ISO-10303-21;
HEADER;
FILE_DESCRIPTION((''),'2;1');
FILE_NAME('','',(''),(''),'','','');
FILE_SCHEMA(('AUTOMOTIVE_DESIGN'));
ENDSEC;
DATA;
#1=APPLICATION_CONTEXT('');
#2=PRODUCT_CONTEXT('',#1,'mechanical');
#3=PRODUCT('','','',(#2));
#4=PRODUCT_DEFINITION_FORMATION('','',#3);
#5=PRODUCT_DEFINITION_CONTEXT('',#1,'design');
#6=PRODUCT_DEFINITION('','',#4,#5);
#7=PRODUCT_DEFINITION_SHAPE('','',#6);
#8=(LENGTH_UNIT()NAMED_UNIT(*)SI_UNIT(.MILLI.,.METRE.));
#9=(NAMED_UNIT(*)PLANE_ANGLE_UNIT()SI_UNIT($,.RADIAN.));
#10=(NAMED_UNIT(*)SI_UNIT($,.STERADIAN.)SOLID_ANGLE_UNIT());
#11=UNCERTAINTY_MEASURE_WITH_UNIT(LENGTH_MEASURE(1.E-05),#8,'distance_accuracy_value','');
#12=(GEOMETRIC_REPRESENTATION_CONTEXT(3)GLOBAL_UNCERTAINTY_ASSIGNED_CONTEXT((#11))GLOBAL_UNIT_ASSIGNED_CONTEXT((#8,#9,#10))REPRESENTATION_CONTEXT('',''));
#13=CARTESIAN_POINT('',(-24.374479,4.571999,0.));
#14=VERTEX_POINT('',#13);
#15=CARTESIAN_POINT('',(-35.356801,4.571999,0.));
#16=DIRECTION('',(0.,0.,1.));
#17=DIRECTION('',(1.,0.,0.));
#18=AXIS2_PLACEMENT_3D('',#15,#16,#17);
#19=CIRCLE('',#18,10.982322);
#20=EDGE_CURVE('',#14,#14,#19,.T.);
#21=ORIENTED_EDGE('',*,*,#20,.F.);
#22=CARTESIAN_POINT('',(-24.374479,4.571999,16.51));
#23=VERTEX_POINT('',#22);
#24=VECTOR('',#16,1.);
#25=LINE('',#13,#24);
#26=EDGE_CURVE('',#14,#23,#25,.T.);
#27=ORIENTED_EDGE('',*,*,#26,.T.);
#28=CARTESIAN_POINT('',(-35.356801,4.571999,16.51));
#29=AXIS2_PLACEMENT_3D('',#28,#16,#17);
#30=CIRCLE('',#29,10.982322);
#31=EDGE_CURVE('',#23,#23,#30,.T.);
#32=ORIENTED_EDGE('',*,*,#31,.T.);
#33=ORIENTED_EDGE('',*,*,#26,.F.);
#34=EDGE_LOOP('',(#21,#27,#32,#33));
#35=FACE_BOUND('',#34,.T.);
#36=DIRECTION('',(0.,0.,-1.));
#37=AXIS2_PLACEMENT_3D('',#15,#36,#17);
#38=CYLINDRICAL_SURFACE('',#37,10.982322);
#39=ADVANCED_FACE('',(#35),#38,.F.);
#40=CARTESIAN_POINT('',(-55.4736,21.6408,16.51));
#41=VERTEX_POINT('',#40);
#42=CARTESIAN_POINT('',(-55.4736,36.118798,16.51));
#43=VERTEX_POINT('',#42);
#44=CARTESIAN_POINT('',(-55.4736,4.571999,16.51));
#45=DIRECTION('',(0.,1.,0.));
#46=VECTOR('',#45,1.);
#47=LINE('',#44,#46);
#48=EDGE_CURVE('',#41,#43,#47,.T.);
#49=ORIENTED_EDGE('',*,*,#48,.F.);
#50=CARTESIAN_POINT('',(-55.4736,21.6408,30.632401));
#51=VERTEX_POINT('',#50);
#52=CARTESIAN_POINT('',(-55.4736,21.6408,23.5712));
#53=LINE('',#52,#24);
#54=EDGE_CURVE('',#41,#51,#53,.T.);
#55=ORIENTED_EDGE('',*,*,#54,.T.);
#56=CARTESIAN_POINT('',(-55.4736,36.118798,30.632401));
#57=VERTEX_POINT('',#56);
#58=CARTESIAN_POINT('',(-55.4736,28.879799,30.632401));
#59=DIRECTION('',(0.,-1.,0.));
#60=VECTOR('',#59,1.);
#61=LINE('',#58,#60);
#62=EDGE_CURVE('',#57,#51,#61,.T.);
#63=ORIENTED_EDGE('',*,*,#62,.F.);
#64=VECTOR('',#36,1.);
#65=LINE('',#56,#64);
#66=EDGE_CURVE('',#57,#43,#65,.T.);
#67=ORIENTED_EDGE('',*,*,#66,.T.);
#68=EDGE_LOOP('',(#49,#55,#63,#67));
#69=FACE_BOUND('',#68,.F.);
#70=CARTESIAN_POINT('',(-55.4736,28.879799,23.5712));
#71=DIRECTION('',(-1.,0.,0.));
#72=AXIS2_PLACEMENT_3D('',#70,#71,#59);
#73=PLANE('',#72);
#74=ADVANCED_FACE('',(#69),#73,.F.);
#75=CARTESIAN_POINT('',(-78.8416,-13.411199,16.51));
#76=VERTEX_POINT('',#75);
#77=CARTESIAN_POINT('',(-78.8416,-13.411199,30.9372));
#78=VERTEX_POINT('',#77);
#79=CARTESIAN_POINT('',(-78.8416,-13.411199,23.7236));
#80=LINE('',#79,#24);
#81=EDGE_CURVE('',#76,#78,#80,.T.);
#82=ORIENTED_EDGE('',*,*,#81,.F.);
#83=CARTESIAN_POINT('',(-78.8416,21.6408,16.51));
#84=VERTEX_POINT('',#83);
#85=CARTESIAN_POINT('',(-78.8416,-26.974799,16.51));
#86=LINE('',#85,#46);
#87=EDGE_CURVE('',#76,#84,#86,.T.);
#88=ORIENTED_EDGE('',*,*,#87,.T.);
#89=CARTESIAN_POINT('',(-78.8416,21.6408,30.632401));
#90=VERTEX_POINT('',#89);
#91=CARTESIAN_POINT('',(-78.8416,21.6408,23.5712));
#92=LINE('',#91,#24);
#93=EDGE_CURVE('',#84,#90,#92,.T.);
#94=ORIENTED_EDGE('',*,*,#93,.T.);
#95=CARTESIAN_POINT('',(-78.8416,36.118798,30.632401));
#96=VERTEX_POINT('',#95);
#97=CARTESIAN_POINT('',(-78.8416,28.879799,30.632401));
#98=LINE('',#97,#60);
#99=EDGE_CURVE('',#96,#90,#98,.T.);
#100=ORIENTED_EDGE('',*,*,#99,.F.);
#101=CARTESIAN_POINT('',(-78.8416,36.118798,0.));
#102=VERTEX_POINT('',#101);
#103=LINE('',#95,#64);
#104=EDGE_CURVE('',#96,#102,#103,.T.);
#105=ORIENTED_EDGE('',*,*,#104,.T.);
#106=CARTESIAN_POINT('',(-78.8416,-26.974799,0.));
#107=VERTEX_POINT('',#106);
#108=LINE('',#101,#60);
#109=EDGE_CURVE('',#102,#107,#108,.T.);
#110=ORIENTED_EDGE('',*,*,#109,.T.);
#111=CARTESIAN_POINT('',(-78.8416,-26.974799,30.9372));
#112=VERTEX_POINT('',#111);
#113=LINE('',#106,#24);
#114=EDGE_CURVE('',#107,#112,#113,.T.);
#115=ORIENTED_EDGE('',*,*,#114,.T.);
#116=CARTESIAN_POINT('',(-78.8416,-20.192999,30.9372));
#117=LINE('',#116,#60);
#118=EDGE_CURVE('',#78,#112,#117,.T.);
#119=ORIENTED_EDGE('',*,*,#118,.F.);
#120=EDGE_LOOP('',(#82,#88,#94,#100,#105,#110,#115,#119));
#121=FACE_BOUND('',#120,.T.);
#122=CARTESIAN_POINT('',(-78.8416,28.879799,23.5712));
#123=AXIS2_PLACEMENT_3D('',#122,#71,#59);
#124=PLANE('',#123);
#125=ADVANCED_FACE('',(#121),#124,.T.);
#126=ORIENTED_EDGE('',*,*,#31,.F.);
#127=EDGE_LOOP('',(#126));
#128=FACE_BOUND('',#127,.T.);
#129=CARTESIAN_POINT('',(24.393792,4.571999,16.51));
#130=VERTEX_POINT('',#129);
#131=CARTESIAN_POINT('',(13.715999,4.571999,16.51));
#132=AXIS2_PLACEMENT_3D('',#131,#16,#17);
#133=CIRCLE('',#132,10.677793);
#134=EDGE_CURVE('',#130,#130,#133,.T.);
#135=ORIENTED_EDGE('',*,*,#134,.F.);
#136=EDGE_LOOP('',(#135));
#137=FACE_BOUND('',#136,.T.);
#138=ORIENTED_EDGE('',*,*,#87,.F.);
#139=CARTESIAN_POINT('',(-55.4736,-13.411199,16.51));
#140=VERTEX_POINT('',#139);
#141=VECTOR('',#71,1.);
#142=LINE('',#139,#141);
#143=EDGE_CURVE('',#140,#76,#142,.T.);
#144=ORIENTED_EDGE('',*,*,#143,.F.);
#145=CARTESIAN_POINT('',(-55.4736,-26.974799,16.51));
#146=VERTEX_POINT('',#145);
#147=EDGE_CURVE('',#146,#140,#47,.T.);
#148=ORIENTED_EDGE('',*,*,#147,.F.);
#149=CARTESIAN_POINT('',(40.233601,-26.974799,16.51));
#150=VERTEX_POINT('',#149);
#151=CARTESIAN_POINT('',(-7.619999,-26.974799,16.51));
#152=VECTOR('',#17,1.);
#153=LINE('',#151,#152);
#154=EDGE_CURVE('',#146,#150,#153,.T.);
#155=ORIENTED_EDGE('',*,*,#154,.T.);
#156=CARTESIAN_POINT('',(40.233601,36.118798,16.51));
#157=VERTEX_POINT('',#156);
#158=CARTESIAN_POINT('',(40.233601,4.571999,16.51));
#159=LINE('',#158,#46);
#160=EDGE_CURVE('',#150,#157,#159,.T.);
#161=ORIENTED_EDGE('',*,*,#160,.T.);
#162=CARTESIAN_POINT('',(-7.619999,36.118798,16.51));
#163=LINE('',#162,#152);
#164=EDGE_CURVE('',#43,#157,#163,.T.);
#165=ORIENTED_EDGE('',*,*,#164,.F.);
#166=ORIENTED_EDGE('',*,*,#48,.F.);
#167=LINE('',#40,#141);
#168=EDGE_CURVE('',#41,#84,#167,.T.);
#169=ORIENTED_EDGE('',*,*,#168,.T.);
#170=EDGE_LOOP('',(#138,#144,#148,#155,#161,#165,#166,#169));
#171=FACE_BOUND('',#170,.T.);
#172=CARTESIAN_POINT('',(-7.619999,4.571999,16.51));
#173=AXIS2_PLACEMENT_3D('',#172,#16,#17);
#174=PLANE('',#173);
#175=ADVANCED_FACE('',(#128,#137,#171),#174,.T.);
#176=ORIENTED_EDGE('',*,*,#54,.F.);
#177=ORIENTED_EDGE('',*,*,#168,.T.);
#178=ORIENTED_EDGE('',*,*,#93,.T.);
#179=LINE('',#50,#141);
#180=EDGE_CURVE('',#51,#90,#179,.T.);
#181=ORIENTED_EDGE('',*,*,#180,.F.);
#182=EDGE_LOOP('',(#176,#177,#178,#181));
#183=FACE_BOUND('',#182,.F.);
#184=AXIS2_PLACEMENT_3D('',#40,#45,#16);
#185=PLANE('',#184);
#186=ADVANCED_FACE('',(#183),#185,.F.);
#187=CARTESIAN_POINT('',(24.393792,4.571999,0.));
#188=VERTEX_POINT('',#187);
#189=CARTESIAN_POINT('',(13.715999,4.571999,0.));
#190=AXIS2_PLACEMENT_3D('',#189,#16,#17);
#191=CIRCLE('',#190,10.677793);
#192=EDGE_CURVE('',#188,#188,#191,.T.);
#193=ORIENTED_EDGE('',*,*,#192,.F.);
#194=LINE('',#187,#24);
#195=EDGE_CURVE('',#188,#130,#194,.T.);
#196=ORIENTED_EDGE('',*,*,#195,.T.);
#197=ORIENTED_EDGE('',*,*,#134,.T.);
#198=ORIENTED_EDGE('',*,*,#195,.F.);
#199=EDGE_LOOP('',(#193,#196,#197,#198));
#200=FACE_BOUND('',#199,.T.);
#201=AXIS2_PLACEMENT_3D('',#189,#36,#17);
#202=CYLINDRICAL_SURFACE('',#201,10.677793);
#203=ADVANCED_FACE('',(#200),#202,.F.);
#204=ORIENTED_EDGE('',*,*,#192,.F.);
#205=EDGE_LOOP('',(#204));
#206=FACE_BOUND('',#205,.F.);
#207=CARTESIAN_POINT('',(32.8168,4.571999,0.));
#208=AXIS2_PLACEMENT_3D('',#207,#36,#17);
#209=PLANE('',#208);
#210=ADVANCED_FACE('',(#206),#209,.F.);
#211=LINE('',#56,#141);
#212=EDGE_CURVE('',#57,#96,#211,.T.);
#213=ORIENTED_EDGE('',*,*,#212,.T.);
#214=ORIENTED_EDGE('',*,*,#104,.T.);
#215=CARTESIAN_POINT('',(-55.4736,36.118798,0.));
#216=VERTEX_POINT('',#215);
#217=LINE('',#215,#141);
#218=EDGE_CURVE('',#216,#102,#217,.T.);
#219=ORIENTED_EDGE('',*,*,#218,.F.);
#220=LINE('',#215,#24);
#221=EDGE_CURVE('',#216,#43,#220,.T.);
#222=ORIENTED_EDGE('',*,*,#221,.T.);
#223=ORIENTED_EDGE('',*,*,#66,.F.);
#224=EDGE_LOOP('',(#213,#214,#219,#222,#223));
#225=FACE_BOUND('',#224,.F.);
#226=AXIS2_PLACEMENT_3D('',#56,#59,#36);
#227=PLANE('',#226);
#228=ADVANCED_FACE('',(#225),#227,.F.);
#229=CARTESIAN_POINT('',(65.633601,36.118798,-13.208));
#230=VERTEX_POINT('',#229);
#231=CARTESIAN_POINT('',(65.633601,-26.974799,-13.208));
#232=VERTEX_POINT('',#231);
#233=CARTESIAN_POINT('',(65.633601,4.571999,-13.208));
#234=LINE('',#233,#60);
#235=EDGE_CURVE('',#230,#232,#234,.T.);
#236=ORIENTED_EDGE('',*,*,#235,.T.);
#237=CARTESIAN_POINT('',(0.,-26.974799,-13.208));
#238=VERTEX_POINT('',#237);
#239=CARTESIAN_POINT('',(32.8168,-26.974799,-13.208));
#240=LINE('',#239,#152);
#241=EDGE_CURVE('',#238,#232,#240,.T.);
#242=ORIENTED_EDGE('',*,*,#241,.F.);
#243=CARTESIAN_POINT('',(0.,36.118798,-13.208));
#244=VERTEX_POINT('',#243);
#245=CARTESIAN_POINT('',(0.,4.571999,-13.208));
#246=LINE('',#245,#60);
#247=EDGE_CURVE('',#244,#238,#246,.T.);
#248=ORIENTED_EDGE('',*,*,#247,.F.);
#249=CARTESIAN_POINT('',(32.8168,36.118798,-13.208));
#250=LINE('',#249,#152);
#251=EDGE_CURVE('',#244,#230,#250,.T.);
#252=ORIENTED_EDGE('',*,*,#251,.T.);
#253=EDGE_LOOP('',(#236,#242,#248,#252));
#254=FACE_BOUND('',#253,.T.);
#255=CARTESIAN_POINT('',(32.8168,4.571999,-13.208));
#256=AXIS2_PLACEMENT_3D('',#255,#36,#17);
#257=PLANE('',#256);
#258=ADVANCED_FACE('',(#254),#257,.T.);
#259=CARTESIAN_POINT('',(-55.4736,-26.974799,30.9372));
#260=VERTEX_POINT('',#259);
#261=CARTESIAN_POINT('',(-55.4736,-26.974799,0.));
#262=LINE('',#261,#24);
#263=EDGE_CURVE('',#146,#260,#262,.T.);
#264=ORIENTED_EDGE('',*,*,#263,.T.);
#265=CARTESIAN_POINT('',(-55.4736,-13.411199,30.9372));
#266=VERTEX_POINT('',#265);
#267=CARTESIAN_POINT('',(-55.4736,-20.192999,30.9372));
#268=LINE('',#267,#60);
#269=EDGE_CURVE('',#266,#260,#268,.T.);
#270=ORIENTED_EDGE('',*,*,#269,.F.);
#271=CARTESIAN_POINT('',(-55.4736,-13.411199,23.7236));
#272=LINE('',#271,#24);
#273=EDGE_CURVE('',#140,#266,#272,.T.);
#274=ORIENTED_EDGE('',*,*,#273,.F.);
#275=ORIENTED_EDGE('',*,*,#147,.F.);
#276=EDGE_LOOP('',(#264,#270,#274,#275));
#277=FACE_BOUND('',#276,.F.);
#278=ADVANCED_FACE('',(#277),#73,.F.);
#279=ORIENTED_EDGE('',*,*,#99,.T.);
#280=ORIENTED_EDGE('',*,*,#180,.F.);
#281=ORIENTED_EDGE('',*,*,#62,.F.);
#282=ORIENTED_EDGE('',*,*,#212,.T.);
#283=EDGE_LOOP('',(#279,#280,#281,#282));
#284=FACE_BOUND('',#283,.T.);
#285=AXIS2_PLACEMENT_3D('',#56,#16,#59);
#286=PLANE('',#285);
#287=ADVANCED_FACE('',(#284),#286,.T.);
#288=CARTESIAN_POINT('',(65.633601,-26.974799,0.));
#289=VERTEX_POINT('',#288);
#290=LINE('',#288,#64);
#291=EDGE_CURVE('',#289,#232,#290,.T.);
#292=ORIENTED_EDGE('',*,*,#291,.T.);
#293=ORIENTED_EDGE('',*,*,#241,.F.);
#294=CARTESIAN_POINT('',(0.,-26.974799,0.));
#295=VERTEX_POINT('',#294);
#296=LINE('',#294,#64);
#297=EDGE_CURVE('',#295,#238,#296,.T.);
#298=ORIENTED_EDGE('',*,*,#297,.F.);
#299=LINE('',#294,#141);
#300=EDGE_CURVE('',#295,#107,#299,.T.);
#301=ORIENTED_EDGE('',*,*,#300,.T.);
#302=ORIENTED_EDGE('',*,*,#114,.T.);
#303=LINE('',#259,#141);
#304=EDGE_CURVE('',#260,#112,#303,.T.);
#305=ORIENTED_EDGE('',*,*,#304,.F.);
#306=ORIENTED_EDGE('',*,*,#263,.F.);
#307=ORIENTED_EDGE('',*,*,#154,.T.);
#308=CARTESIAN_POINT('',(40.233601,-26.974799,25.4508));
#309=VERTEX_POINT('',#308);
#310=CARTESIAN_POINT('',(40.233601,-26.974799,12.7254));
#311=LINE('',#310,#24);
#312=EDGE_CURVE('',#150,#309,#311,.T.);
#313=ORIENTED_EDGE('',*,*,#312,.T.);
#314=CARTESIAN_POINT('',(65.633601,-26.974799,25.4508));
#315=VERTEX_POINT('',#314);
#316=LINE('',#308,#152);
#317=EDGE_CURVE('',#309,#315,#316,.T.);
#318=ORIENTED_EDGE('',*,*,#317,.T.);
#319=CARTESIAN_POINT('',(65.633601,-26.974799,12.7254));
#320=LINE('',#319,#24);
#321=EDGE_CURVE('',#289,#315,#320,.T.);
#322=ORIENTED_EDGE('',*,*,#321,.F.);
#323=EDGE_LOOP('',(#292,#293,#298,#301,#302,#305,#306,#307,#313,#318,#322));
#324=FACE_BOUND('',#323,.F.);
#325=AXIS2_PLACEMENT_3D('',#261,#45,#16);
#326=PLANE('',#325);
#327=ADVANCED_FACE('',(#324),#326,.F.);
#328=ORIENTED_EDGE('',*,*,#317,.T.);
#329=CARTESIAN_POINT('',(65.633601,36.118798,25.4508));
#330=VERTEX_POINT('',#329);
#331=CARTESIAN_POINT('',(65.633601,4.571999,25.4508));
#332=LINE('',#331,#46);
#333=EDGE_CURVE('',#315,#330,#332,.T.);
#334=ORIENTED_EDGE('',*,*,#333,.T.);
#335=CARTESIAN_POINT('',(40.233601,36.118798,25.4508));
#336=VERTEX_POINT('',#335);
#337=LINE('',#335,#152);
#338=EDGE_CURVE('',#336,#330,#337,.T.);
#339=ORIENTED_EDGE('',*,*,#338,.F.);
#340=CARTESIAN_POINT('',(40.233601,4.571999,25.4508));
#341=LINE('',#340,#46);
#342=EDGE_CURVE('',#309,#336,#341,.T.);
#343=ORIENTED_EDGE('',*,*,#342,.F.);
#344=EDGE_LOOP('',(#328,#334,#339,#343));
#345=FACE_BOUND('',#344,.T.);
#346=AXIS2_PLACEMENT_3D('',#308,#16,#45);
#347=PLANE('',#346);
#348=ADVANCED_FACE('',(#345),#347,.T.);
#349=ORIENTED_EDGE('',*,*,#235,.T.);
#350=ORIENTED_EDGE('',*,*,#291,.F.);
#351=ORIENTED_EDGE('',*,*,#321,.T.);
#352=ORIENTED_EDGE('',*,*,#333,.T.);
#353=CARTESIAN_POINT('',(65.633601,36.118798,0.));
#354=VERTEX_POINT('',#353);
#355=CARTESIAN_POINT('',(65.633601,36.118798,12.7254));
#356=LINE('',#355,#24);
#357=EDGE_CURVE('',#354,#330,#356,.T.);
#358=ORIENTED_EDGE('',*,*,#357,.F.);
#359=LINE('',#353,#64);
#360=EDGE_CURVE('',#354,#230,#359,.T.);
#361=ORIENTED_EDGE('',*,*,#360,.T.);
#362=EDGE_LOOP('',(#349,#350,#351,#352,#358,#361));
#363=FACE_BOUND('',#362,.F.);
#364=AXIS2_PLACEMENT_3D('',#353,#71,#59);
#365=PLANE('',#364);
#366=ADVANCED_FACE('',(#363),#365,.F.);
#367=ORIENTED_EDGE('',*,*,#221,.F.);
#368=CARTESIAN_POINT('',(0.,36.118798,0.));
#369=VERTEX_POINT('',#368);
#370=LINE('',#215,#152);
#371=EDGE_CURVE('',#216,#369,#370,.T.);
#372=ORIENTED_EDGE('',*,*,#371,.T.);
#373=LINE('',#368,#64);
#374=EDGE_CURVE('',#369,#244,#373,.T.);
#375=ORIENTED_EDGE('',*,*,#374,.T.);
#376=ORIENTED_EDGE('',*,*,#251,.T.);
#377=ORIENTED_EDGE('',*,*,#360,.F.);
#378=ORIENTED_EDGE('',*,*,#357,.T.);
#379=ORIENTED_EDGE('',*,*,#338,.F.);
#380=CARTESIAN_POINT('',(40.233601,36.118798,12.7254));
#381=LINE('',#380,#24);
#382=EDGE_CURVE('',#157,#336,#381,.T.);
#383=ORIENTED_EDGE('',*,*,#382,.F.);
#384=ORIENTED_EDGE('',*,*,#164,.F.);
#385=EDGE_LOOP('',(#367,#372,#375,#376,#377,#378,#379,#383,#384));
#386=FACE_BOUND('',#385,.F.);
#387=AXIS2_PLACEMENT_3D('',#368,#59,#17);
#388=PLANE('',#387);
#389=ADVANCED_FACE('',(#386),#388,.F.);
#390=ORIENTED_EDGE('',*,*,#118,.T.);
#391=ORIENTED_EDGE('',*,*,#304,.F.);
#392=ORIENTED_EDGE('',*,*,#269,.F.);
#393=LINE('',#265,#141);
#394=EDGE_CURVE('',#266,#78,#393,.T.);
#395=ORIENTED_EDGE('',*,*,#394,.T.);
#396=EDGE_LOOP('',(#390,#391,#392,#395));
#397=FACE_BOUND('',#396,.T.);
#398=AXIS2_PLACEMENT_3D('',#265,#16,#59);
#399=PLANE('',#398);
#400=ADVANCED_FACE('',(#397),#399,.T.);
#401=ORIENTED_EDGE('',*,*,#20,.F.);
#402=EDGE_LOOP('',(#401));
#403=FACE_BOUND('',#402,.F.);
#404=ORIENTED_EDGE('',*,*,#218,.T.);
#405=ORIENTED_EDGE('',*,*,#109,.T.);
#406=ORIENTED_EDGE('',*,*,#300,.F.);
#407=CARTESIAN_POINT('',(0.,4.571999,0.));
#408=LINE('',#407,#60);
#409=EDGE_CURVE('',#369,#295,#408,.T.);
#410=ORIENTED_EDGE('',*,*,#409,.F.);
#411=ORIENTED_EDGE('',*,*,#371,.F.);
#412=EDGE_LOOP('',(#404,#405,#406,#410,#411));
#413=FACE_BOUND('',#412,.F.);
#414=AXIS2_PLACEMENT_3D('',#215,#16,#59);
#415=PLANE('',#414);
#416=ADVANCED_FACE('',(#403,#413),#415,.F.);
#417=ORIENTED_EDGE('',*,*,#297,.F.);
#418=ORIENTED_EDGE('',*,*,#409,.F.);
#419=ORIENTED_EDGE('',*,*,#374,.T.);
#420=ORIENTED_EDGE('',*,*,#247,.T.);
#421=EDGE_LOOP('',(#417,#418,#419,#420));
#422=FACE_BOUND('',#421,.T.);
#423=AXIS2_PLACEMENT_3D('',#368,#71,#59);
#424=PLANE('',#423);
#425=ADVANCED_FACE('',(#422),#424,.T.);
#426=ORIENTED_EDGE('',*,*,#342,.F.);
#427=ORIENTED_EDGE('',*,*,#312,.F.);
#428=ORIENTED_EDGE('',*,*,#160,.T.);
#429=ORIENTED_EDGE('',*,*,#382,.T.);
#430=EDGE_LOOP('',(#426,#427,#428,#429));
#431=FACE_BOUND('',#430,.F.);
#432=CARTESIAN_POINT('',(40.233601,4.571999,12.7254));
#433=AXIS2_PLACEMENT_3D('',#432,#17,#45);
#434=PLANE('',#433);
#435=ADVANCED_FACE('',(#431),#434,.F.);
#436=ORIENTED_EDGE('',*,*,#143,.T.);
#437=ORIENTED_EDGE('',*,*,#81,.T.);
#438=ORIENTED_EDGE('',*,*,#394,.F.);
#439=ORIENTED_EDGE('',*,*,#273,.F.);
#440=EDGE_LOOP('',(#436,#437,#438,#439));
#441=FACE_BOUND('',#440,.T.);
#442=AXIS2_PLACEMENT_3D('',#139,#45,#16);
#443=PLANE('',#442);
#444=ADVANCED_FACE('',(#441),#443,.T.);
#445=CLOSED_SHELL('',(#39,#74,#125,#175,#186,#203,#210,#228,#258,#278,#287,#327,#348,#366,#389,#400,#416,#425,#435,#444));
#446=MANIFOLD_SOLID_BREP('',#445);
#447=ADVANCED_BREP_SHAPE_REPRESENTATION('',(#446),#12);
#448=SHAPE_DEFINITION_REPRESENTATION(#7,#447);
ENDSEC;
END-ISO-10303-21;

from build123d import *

# Parameters (mm, degrees)
F0_W     = 95.7072004676
F0_H     = 63.0935970694
F0_R     = 10.9823224345
F0_R_2   = 10.6777928839
F1_DEPTH = 16.51
F2_W     = 63.0935970694
F2_H     = 25.4507996142
F3_DEPTH = 25.4
F4_W     = 65.6336008847
F4_H     = 63.0935970694
F5_DEPTH = 13.208
F6_W     = 14.4779980183
F6_H     = 14.1224008852
F6_W_2   = 13.5636003688
F6_H_2   = 14.4272004122
F7_DEPTH = 23.368


with BuildPart() as f1:
    # F0 (on Top) → F1 (new body)
    with BuildSketch(Plane.XY):
        with Locations((-7.6199993491, 4.5719994232)):
            Rectangle(F0_W, F0_H)
        with Locations((-35.3568010032, 4.5719994232)):
            Circle(F0_R, mode=Mode.SUBTRACT)
        with Locations((13.7159992009, 4.5719994232)):
            Circle(F0_R_2, mode=Mode.SUBTRACT)
    extrude(amount=F1_DEPTH)

    # F2 (on face) → F3 (join)
    with BuildSketch(Plane.YZ.offset(40.2336008847)):
        with Locations((4.5719994232, 12.7253998071)):
            Rectangle(F2_W, F2_H)
    extrude(amount=F3_DEPTH)

    # F4 (on face) → F5 (join)
    with BuildSketch(Plane(origin=(0, 0, 0), x_dir=(1, 0, 0), z_dir=(0, 0, -1))):
        with Locations((32.8168004423, -4.5719994232)):
            Rectangle(F4_W, F4_H)
    extrude(amount=F5_DEPTH)

    # F6 (on face) → F7 (join)
    with BuildSketch(Plane(origin=(-55.4735995829, 0, 0), x_dir=(0, -1, 0), z_dir=(-1, 0, 0))):
        with Locations((-28.8797989488, 23.5712004426)):
            Rectangle(F6_W, F6_H)
        Polygon((-21.6407999396, 16.51), (-36.1187979579, 16.51), (-36.1187979579, 0), (26.9747991115, 0), (26.9747991115, 16.51), (13.4111987427, 16.51), align=None)
        with Locations((20.1929989271, 23.7236002061)):
            Rectangle(F6_W_2, F6_H_2)
    extrude(amount=F7_DEPTH)


solid = f1.part
